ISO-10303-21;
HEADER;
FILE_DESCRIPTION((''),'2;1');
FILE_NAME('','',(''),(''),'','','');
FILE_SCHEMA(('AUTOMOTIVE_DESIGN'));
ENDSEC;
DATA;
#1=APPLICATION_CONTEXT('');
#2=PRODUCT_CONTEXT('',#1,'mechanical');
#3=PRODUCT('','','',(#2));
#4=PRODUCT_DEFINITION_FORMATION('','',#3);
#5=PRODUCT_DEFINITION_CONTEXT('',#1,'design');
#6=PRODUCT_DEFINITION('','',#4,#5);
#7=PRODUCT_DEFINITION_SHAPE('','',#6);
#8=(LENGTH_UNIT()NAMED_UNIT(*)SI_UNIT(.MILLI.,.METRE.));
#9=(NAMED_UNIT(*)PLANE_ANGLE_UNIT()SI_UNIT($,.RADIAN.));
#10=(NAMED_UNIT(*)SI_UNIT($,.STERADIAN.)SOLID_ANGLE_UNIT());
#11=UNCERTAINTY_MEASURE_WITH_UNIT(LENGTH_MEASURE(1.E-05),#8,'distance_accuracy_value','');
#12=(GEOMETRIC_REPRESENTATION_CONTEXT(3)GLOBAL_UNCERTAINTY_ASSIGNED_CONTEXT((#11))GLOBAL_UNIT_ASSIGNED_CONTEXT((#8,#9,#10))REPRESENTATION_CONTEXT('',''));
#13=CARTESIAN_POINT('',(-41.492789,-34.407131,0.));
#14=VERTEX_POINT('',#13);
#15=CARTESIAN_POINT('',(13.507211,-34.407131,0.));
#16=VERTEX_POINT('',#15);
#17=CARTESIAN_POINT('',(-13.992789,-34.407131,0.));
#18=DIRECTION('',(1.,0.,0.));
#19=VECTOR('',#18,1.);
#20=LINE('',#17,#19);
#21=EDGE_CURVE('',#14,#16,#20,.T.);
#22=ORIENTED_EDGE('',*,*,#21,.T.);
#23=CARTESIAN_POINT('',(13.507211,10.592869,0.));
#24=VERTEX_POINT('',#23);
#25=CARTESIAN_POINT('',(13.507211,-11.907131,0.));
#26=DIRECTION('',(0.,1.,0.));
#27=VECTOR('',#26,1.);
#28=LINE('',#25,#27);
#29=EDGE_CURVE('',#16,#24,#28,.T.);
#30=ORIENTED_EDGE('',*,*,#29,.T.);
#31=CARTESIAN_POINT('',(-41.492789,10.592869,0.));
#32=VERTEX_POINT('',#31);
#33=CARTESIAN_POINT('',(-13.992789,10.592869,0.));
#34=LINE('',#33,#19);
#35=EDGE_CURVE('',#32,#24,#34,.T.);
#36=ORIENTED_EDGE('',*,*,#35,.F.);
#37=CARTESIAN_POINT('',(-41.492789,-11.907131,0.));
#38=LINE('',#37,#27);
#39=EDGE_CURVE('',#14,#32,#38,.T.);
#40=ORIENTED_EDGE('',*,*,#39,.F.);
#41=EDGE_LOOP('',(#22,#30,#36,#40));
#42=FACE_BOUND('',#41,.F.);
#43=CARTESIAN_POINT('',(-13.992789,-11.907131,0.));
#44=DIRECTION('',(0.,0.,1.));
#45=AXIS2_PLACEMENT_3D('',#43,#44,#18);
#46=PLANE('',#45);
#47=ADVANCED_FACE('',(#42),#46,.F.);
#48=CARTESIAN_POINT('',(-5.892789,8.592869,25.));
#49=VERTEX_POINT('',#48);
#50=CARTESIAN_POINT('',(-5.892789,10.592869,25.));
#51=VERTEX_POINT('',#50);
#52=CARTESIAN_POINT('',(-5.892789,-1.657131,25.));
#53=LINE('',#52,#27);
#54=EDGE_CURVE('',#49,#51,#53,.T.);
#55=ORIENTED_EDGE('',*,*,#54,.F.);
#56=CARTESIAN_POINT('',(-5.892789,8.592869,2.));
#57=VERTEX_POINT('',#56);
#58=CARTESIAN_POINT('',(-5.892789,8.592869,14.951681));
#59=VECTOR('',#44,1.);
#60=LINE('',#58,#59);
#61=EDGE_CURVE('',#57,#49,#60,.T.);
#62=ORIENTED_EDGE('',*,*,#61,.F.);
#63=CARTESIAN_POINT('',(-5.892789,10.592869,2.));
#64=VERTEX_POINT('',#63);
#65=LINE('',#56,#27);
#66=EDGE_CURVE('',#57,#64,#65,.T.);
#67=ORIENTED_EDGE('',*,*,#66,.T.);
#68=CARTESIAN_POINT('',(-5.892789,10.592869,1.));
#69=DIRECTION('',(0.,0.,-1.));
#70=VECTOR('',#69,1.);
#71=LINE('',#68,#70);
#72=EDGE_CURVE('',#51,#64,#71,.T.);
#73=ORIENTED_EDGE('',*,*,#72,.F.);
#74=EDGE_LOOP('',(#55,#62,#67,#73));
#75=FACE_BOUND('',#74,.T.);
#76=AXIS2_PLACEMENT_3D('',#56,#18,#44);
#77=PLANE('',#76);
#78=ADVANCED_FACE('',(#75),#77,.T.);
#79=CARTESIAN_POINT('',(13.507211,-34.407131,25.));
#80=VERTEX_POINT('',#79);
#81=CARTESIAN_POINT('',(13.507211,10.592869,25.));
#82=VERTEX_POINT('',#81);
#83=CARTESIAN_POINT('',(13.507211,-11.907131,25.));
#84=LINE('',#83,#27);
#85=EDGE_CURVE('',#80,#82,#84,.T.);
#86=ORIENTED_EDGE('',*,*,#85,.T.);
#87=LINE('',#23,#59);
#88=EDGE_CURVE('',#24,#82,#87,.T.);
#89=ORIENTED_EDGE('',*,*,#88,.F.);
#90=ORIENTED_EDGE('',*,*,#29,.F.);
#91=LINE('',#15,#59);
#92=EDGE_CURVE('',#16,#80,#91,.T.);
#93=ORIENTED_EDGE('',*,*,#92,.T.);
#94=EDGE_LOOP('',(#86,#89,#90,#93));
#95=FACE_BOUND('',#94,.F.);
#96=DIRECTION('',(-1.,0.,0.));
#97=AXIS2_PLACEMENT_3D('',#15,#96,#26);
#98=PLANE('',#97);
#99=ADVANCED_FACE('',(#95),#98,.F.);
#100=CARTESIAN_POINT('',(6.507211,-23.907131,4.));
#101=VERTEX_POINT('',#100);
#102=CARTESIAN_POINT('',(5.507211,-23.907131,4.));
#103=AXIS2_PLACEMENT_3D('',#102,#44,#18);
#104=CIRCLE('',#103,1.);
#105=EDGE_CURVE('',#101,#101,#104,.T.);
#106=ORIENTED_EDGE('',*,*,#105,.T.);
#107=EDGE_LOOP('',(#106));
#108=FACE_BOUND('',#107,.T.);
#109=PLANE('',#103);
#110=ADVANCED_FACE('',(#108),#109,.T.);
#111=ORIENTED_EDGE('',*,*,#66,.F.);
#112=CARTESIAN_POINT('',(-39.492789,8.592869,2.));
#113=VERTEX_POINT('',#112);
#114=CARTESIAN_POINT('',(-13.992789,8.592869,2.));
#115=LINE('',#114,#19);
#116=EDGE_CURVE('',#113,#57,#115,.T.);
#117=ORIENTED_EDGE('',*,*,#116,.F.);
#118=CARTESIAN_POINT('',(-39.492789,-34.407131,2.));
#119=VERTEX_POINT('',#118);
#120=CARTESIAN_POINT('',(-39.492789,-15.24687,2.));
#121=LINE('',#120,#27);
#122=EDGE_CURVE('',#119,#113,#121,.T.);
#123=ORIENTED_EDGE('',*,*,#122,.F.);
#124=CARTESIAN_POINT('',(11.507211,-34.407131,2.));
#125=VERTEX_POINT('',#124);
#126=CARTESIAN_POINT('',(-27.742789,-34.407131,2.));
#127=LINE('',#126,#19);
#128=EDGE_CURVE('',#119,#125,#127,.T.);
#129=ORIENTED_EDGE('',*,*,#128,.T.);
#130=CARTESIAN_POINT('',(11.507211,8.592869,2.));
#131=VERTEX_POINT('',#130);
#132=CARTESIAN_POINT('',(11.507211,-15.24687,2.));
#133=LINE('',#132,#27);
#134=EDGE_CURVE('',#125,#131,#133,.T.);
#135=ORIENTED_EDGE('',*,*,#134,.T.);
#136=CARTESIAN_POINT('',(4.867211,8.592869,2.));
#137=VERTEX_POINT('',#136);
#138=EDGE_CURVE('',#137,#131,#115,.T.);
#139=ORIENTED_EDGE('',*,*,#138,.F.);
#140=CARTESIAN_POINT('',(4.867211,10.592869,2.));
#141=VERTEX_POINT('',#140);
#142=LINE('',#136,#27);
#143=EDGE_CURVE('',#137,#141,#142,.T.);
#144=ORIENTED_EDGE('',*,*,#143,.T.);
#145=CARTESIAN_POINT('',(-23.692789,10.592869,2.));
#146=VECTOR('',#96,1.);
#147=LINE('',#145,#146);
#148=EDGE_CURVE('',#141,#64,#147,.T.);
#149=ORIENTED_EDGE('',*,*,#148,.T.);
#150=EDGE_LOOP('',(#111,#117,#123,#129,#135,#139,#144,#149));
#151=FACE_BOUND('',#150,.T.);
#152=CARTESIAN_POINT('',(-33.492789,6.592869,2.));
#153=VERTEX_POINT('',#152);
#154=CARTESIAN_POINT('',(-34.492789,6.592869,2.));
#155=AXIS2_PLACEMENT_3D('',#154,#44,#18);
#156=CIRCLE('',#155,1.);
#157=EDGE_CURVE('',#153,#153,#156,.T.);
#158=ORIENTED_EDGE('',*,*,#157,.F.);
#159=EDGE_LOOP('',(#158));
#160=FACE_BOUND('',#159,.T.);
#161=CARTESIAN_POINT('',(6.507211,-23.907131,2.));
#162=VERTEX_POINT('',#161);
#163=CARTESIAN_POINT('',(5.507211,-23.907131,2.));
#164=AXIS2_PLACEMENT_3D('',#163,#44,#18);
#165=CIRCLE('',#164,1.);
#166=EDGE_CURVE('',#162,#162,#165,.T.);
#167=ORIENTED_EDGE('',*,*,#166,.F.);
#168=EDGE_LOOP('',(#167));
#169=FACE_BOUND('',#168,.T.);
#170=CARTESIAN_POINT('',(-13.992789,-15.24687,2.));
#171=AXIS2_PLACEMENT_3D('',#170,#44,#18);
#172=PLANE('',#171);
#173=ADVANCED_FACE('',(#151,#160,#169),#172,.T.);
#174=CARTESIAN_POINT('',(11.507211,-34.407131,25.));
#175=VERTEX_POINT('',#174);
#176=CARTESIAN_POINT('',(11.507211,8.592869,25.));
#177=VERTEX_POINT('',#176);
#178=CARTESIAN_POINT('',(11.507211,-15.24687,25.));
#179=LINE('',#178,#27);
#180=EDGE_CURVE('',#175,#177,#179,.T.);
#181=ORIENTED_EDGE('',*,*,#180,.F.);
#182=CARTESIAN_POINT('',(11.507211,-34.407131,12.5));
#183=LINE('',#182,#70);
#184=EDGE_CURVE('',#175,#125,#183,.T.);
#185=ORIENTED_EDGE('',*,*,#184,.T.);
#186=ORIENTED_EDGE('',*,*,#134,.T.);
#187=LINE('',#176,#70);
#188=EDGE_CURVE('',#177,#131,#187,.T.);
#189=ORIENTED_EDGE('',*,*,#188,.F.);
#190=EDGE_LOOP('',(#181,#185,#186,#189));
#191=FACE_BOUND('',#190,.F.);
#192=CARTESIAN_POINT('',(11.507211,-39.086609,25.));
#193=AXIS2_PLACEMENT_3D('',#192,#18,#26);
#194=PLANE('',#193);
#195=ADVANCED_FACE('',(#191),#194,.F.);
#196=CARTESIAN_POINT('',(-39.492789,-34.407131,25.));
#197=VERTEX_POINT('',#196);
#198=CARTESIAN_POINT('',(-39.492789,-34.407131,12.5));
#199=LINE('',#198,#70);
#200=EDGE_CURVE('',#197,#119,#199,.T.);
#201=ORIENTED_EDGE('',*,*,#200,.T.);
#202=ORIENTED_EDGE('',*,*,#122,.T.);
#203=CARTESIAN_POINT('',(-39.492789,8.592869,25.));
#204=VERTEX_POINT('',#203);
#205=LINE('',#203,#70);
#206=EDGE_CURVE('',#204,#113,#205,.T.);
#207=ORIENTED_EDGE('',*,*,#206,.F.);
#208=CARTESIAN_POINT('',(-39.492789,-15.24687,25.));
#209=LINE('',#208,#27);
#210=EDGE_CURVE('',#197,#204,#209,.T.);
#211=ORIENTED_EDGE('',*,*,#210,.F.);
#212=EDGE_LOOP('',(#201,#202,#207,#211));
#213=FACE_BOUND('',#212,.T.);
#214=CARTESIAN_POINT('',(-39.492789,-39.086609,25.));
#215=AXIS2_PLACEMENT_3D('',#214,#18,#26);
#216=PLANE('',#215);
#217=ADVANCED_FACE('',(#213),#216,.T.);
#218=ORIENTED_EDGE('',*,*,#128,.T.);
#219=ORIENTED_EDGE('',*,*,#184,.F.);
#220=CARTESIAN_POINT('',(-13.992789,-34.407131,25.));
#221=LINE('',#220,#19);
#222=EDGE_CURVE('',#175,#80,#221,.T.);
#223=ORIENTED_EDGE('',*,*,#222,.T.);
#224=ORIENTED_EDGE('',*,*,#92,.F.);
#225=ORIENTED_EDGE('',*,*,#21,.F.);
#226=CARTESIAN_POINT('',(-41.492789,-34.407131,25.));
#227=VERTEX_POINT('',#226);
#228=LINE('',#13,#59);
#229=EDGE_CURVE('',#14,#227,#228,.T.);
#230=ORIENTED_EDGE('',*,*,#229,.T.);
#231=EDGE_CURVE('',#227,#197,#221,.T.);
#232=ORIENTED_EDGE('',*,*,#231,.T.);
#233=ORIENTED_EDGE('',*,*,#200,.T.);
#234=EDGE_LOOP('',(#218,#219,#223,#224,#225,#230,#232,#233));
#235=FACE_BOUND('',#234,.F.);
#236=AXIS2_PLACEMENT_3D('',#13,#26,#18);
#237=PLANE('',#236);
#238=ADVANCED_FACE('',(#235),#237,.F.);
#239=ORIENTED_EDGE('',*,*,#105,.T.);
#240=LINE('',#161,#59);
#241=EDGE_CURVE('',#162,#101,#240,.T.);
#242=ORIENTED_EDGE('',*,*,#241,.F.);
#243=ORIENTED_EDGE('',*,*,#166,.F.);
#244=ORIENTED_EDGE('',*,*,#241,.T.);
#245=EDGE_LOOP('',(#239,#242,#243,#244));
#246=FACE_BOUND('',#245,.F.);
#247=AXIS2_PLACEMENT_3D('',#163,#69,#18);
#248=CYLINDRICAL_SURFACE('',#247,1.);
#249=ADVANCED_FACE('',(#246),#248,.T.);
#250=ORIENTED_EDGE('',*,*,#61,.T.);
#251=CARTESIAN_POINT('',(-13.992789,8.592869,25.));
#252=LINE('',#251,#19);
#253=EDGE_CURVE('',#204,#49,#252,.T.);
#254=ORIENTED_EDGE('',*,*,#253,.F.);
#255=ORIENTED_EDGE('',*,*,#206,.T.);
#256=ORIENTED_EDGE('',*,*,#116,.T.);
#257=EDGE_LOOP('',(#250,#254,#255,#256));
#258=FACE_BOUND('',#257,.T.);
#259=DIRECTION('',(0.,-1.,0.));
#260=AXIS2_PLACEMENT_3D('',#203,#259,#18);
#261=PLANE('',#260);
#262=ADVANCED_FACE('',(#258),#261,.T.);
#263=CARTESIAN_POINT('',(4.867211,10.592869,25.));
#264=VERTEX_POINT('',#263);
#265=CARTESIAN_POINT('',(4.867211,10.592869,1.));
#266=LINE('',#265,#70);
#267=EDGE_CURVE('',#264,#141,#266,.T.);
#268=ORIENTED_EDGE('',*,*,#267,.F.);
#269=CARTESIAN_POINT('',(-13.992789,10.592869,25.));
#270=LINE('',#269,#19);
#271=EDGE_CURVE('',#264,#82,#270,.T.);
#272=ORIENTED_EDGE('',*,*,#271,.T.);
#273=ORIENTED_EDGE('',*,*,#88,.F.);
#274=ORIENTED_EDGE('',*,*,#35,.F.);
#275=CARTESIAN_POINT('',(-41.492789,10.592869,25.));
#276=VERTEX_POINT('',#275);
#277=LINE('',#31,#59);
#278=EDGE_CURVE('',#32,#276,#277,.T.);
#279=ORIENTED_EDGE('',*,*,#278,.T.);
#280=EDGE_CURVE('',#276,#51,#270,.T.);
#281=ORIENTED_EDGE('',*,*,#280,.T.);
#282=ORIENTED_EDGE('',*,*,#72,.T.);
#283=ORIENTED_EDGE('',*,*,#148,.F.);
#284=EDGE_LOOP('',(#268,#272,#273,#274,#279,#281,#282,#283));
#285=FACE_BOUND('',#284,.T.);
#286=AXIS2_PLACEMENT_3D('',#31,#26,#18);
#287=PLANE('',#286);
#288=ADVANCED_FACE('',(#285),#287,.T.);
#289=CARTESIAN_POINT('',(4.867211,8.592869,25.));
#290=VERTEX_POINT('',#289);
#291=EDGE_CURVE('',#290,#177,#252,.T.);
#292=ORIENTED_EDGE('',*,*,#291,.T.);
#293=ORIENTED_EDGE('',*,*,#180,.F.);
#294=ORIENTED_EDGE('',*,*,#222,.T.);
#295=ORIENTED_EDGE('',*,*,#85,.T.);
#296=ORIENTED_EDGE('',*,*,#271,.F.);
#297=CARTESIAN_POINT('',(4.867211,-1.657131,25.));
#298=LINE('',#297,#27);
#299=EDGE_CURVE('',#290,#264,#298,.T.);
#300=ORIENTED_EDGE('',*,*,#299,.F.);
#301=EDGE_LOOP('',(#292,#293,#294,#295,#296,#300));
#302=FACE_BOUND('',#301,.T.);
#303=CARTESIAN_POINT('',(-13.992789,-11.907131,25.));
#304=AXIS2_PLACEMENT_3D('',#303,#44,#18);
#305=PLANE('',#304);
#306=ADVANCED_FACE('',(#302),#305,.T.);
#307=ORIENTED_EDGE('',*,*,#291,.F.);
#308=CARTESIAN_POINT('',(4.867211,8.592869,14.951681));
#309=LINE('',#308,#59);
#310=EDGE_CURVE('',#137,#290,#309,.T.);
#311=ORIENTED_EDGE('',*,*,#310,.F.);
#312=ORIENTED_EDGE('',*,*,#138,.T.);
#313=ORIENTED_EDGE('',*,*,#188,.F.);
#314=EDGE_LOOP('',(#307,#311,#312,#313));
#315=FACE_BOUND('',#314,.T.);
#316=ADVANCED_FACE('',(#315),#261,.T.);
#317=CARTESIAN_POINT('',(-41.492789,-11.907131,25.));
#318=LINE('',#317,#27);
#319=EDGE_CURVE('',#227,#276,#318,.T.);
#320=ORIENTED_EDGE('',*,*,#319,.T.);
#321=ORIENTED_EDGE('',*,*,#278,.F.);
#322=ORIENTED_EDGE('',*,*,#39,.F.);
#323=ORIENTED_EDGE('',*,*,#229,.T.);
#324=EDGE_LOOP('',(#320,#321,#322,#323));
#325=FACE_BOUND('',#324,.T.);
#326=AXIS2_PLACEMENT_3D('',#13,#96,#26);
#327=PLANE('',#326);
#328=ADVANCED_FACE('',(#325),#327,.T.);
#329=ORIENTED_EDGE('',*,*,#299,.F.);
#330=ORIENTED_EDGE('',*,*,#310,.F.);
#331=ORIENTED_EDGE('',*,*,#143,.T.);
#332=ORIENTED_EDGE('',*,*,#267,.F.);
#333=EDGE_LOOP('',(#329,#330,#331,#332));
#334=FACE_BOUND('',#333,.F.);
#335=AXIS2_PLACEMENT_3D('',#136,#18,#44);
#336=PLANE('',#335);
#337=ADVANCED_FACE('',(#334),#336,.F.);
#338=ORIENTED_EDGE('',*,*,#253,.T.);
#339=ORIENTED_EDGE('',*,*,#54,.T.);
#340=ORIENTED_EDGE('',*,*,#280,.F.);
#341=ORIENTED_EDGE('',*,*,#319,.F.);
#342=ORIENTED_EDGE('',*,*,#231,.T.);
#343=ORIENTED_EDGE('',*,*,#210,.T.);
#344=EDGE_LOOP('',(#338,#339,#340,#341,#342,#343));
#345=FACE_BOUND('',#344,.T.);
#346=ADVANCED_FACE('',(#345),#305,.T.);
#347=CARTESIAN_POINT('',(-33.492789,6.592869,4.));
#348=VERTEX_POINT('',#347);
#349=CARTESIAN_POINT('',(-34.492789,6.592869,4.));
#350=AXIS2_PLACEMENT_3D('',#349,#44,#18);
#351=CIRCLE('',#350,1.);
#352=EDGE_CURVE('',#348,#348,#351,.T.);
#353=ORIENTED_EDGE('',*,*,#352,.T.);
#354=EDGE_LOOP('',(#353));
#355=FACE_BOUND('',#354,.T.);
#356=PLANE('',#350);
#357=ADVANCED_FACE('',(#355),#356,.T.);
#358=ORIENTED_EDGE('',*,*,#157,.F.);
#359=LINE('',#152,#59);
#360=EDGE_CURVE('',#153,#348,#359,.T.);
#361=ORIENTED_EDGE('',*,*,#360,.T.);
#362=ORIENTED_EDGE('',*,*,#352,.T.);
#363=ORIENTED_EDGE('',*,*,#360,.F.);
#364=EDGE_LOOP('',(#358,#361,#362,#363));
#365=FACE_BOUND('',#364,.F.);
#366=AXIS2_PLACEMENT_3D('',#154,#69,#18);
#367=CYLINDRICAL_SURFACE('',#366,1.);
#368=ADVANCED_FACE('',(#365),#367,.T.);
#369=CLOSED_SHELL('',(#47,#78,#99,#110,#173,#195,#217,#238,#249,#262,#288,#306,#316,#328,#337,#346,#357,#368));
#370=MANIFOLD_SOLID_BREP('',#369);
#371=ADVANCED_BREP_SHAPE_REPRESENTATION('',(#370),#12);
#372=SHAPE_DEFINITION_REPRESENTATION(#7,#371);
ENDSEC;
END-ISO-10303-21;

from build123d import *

# Parameters (mm, degrees)
SKETCH_W        = 55
SKETCH_H        = 45
PAD_DEPTH       = 25
SKETCH001_W     = 51
SKETCH001_H     = 47.679478
POCKET_DEPTH    = 23
SKETCH002_R     = 1
PAD001_DEPTH    = 2
SKETCH003_W     = 10.76
SKETCH003_H     = 25.903362
POCKET001_DEPTH = 5


with BuildPart() as part:
    # Sketch → Pad (new body)
    with BuildSketch(Plane.XY):
        with Locations((-13.992789, -11.907131)):
            Rectangle(SKETCH_W, SKETCH_H)
    extrude(amount=PAD_DEPTH)

    # Sketch001 → Pocket (cut)
    with BuildSketch(Plane.XY.offset(25)):
        with Locations((-13.992789, -15.24687)):
            Rectangle(SKETCH001_W, SKETCH001_H)
    extrude(amount=-POCKET_DEPTH, mode=Mode.SUBTRACT)

    # Sketch002 → Pad001 (new body)
    with BuildSketch(Plane.XY.offset(2)):
        with Locations((-34.492789, 6.592869)):
            Circle(SKETCH002_R)
        with Locations((5.507211, -23.907131)):
            Circle(SKETCH002_R)
    extrude(amount=PAD001_DEPTH)

    # Sketch003 → Pocket001 (cut)
    with BuildSketch(Plane.XZ.offset(-8.592869)):
        with Locations((-0.512789, 14.951681)):
            Rectangle(SKETCH003_W, SKETCH003_H)
    extrude(amount=-POCKET001_DEPTH, mode=Mode.SUBTRACT)


solid = part.part
